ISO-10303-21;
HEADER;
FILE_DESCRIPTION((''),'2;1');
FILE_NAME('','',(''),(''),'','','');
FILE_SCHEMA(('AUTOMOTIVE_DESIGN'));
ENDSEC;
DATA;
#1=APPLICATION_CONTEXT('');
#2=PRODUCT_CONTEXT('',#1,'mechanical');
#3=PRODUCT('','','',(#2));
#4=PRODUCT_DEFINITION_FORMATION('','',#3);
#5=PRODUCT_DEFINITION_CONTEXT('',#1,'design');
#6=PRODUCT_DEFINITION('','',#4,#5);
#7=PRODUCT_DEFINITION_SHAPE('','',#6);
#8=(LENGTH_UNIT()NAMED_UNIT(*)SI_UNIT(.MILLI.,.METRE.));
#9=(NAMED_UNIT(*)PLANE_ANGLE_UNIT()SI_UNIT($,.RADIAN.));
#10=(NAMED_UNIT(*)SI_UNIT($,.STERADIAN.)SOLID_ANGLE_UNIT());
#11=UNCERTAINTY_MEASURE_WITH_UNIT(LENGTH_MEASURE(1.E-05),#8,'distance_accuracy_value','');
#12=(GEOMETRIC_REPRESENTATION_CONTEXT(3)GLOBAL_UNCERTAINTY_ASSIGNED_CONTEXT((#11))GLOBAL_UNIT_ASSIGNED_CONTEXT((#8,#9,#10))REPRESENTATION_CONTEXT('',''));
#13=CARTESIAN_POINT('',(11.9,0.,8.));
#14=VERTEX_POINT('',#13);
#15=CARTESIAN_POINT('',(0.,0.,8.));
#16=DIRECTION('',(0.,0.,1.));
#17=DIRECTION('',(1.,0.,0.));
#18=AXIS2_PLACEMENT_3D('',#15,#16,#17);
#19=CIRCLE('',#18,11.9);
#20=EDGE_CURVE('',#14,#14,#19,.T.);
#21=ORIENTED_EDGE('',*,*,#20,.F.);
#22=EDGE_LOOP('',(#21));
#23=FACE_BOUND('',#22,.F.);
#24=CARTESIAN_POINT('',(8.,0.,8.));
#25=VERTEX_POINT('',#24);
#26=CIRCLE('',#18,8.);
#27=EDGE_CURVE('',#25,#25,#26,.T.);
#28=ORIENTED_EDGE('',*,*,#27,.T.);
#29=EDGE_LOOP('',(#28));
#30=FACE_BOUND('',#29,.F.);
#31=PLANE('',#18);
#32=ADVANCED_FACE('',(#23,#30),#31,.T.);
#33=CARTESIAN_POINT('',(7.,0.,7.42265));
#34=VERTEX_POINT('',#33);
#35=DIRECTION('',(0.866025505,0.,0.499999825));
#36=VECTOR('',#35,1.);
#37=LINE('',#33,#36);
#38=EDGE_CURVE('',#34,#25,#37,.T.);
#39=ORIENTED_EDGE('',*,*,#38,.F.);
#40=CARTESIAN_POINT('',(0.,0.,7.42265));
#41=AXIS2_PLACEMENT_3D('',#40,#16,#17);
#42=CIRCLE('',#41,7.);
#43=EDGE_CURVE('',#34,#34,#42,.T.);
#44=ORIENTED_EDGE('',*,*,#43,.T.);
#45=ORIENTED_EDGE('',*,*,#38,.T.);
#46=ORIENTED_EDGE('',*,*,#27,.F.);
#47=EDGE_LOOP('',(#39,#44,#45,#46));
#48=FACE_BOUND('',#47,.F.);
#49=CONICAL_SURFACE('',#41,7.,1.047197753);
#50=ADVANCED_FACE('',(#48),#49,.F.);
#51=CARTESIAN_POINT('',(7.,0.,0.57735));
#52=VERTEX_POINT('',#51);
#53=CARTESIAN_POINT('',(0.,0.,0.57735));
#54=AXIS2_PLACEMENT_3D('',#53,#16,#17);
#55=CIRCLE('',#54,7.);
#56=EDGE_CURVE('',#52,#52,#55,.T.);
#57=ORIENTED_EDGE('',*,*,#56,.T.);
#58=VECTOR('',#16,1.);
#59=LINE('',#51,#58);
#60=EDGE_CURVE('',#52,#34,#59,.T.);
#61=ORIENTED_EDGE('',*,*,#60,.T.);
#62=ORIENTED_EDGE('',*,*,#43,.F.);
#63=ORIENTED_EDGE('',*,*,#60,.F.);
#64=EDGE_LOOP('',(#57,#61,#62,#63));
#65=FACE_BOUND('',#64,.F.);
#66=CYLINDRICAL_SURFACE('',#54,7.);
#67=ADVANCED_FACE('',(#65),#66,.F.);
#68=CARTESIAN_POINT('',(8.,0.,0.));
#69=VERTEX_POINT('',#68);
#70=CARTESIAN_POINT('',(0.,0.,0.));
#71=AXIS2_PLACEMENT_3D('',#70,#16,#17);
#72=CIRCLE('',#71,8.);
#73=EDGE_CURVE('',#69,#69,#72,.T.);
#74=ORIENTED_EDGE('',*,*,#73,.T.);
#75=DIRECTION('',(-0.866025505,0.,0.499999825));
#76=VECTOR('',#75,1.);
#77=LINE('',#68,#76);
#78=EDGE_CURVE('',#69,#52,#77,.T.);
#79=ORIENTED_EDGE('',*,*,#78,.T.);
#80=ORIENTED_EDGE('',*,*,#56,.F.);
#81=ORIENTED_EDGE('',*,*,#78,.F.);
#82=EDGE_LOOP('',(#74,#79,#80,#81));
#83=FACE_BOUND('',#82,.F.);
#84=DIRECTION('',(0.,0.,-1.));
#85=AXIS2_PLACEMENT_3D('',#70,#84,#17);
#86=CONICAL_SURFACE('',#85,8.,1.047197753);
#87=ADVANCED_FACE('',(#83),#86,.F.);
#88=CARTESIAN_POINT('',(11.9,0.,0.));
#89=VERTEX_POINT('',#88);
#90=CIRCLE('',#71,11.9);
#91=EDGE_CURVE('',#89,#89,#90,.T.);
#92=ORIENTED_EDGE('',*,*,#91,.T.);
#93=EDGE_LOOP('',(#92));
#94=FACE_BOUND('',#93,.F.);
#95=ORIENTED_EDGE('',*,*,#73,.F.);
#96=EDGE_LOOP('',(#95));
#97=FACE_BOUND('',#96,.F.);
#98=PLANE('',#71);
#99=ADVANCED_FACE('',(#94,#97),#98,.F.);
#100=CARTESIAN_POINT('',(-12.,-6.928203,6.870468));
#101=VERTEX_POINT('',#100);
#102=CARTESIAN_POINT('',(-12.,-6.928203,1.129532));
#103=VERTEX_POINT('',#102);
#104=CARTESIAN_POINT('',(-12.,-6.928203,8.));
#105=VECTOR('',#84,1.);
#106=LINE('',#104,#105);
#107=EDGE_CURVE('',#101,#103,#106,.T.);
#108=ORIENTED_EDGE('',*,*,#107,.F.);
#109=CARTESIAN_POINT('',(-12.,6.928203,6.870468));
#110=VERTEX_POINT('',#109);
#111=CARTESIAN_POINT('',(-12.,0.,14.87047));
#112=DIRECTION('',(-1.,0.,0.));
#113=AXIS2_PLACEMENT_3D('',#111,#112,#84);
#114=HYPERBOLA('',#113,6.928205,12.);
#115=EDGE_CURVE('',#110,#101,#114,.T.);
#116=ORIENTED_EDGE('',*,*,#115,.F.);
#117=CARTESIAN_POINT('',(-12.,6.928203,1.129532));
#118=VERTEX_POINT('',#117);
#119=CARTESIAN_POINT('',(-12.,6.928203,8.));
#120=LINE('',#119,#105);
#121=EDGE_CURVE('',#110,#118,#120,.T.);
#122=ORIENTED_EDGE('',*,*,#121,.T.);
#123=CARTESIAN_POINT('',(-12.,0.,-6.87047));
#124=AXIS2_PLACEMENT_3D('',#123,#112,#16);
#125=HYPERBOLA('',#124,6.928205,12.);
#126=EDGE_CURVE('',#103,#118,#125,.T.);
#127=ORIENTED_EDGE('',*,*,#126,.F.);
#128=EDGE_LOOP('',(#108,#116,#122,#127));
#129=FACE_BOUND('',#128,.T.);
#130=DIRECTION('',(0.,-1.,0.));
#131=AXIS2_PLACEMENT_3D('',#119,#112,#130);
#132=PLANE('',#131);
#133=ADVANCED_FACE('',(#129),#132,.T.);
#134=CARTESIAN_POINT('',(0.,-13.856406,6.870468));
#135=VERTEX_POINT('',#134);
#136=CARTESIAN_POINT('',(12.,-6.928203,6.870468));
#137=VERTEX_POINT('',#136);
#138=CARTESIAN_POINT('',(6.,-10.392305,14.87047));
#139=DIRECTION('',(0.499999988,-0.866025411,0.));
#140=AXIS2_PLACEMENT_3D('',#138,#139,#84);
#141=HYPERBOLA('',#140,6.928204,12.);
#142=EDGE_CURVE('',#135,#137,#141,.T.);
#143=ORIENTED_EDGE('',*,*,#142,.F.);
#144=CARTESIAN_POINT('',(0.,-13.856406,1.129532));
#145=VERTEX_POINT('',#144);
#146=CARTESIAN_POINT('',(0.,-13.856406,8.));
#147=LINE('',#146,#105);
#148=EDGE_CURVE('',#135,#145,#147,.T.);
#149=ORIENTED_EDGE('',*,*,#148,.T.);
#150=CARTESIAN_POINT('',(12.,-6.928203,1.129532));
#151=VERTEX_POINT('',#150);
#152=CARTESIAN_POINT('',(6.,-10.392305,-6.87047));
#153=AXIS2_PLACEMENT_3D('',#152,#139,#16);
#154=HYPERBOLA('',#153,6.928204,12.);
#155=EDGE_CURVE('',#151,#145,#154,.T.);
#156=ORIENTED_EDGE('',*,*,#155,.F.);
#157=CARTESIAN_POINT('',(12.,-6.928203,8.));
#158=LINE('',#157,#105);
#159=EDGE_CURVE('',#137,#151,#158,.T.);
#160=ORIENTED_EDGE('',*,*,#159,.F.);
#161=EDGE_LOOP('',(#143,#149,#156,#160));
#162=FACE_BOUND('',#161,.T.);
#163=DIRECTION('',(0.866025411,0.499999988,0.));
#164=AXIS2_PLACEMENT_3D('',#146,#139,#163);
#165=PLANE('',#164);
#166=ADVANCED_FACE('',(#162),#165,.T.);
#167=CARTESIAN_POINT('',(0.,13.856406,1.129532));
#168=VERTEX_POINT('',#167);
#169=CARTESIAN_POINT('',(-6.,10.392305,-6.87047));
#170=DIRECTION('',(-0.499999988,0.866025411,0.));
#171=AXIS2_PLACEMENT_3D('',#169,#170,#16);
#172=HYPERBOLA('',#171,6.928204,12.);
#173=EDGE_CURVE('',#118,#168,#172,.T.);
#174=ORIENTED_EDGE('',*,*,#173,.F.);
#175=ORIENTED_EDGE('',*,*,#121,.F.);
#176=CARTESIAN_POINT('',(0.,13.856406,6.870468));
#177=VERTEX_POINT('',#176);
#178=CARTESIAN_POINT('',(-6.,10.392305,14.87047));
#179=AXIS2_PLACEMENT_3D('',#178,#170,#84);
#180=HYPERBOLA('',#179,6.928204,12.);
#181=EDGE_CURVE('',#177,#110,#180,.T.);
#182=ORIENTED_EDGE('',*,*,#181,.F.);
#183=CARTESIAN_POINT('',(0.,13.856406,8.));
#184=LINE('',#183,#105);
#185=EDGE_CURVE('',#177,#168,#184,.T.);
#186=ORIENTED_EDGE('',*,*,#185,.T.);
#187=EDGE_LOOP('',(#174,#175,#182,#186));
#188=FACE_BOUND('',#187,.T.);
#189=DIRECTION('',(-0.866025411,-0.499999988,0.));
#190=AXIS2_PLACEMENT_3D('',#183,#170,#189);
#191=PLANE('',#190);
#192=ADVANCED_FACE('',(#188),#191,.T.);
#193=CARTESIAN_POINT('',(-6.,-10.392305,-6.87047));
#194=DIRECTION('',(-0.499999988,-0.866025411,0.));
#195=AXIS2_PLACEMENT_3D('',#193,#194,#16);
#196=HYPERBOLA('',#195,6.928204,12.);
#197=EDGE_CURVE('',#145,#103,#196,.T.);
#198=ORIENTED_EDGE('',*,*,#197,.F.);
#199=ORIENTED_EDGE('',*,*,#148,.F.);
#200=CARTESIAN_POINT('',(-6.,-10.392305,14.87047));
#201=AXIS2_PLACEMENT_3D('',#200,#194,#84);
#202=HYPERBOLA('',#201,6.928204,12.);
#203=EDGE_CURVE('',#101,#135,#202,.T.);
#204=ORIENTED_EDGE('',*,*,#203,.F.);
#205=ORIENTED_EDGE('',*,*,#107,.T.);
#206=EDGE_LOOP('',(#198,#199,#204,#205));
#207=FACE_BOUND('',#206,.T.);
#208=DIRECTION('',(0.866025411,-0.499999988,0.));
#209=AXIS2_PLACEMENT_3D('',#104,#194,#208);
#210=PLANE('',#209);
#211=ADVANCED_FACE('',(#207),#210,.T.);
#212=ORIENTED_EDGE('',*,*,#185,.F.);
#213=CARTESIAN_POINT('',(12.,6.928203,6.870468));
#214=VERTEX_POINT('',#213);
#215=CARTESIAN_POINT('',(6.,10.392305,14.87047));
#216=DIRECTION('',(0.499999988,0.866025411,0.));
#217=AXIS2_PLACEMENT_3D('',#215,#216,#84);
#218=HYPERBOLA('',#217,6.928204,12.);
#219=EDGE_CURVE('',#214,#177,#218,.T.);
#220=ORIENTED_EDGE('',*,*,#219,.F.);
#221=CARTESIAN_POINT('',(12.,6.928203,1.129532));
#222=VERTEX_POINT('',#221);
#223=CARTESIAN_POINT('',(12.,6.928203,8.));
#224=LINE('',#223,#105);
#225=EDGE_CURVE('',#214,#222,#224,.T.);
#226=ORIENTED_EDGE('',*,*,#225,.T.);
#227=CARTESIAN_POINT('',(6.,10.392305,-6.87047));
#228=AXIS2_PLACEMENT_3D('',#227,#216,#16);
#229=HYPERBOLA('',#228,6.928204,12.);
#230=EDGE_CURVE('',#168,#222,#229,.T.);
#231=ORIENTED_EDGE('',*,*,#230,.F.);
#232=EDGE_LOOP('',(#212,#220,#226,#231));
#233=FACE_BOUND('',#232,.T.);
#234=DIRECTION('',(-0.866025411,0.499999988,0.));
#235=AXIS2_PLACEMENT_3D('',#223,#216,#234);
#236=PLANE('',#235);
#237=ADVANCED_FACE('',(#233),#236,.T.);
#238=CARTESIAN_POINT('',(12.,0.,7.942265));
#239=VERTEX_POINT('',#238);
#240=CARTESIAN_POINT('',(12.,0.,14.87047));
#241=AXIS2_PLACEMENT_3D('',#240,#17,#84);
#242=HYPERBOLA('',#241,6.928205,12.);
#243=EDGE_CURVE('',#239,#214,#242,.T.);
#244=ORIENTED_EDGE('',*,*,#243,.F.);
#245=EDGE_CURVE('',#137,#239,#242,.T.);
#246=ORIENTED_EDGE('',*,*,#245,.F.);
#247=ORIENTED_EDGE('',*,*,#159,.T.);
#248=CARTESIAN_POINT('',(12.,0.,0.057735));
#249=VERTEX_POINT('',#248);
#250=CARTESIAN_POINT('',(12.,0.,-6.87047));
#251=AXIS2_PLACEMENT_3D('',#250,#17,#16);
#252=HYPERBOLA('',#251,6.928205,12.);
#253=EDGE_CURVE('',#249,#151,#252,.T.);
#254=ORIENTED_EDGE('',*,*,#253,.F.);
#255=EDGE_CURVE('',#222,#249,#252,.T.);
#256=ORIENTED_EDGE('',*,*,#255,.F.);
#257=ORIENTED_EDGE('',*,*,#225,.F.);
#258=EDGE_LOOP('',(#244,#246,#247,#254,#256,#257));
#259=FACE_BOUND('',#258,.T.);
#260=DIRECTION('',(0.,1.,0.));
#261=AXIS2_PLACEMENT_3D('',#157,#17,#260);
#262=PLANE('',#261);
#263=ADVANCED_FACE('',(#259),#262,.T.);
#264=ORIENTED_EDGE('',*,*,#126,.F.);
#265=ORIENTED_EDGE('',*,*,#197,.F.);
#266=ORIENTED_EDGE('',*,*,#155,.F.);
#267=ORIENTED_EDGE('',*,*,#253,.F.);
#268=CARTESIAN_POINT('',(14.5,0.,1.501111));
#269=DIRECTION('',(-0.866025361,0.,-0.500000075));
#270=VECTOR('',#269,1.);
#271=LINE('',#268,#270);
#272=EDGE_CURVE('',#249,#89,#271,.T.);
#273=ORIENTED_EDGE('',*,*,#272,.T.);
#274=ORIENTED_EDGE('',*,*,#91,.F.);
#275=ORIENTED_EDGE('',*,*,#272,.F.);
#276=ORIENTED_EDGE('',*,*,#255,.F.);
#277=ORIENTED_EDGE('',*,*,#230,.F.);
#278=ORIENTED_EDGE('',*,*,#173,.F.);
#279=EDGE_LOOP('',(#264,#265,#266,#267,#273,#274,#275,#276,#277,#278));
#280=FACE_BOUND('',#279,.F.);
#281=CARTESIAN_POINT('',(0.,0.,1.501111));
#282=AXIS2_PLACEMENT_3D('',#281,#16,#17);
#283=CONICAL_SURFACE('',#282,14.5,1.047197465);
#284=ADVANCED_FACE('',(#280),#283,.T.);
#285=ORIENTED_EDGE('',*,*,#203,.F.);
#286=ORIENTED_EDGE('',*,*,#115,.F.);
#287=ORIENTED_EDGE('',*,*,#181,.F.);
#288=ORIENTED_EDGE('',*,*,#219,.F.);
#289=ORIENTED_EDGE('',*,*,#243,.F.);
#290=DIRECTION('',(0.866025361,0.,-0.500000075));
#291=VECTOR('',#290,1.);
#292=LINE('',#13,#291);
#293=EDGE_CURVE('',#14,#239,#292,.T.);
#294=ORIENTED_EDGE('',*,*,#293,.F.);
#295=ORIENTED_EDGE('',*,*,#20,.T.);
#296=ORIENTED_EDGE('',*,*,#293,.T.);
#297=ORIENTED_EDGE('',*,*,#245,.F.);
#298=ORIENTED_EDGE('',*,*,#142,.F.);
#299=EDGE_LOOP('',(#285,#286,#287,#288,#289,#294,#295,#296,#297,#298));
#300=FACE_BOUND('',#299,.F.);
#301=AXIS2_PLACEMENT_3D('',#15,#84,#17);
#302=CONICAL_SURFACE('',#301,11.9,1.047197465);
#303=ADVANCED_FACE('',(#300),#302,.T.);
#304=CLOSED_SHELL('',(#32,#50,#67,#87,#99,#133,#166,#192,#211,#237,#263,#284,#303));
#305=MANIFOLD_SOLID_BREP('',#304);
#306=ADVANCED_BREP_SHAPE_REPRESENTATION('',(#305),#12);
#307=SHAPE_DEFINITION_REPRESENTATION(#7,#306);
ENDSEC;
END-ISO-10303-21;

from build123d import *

# Parameters (mm, degrees)
SKETCH001_R  = 14.5
POCKET_DEPTH = 8


with BuildPart() as part:
    # Sketch → Revolution (revolve)
    with BuildSketch(Plane.XZ):
        Polygon((8, 0), (7, 0.57735), (7, 7.42265), (8, 8), (11.9, 8), (14.5, 6.498889), (14.5, 1.501111), (11.9, 0), align=None)
    revolve(axis=Axis((0, 0, 0), (0, 0, 1)))

    # Sketch001 → Pocket (cut)
    with BuildSketch(Plane(origin=(0, 0, 8), x_dir=(-1, 0, 0), z_dir=(0, 0, 1))):
        Circle(SKETCH001_R)
        Polygon((-12, 6.928203), (-12, -6.928203), (0, -13.856406), (12, -6.928203), (12, 6.928203), (0, 13.856406), align=None, mode=Mode.SUBTRACT)
    extrude(amount=-POCKET_DEPTH, mode=Mode.SUBTRACT)


solid = part.part
